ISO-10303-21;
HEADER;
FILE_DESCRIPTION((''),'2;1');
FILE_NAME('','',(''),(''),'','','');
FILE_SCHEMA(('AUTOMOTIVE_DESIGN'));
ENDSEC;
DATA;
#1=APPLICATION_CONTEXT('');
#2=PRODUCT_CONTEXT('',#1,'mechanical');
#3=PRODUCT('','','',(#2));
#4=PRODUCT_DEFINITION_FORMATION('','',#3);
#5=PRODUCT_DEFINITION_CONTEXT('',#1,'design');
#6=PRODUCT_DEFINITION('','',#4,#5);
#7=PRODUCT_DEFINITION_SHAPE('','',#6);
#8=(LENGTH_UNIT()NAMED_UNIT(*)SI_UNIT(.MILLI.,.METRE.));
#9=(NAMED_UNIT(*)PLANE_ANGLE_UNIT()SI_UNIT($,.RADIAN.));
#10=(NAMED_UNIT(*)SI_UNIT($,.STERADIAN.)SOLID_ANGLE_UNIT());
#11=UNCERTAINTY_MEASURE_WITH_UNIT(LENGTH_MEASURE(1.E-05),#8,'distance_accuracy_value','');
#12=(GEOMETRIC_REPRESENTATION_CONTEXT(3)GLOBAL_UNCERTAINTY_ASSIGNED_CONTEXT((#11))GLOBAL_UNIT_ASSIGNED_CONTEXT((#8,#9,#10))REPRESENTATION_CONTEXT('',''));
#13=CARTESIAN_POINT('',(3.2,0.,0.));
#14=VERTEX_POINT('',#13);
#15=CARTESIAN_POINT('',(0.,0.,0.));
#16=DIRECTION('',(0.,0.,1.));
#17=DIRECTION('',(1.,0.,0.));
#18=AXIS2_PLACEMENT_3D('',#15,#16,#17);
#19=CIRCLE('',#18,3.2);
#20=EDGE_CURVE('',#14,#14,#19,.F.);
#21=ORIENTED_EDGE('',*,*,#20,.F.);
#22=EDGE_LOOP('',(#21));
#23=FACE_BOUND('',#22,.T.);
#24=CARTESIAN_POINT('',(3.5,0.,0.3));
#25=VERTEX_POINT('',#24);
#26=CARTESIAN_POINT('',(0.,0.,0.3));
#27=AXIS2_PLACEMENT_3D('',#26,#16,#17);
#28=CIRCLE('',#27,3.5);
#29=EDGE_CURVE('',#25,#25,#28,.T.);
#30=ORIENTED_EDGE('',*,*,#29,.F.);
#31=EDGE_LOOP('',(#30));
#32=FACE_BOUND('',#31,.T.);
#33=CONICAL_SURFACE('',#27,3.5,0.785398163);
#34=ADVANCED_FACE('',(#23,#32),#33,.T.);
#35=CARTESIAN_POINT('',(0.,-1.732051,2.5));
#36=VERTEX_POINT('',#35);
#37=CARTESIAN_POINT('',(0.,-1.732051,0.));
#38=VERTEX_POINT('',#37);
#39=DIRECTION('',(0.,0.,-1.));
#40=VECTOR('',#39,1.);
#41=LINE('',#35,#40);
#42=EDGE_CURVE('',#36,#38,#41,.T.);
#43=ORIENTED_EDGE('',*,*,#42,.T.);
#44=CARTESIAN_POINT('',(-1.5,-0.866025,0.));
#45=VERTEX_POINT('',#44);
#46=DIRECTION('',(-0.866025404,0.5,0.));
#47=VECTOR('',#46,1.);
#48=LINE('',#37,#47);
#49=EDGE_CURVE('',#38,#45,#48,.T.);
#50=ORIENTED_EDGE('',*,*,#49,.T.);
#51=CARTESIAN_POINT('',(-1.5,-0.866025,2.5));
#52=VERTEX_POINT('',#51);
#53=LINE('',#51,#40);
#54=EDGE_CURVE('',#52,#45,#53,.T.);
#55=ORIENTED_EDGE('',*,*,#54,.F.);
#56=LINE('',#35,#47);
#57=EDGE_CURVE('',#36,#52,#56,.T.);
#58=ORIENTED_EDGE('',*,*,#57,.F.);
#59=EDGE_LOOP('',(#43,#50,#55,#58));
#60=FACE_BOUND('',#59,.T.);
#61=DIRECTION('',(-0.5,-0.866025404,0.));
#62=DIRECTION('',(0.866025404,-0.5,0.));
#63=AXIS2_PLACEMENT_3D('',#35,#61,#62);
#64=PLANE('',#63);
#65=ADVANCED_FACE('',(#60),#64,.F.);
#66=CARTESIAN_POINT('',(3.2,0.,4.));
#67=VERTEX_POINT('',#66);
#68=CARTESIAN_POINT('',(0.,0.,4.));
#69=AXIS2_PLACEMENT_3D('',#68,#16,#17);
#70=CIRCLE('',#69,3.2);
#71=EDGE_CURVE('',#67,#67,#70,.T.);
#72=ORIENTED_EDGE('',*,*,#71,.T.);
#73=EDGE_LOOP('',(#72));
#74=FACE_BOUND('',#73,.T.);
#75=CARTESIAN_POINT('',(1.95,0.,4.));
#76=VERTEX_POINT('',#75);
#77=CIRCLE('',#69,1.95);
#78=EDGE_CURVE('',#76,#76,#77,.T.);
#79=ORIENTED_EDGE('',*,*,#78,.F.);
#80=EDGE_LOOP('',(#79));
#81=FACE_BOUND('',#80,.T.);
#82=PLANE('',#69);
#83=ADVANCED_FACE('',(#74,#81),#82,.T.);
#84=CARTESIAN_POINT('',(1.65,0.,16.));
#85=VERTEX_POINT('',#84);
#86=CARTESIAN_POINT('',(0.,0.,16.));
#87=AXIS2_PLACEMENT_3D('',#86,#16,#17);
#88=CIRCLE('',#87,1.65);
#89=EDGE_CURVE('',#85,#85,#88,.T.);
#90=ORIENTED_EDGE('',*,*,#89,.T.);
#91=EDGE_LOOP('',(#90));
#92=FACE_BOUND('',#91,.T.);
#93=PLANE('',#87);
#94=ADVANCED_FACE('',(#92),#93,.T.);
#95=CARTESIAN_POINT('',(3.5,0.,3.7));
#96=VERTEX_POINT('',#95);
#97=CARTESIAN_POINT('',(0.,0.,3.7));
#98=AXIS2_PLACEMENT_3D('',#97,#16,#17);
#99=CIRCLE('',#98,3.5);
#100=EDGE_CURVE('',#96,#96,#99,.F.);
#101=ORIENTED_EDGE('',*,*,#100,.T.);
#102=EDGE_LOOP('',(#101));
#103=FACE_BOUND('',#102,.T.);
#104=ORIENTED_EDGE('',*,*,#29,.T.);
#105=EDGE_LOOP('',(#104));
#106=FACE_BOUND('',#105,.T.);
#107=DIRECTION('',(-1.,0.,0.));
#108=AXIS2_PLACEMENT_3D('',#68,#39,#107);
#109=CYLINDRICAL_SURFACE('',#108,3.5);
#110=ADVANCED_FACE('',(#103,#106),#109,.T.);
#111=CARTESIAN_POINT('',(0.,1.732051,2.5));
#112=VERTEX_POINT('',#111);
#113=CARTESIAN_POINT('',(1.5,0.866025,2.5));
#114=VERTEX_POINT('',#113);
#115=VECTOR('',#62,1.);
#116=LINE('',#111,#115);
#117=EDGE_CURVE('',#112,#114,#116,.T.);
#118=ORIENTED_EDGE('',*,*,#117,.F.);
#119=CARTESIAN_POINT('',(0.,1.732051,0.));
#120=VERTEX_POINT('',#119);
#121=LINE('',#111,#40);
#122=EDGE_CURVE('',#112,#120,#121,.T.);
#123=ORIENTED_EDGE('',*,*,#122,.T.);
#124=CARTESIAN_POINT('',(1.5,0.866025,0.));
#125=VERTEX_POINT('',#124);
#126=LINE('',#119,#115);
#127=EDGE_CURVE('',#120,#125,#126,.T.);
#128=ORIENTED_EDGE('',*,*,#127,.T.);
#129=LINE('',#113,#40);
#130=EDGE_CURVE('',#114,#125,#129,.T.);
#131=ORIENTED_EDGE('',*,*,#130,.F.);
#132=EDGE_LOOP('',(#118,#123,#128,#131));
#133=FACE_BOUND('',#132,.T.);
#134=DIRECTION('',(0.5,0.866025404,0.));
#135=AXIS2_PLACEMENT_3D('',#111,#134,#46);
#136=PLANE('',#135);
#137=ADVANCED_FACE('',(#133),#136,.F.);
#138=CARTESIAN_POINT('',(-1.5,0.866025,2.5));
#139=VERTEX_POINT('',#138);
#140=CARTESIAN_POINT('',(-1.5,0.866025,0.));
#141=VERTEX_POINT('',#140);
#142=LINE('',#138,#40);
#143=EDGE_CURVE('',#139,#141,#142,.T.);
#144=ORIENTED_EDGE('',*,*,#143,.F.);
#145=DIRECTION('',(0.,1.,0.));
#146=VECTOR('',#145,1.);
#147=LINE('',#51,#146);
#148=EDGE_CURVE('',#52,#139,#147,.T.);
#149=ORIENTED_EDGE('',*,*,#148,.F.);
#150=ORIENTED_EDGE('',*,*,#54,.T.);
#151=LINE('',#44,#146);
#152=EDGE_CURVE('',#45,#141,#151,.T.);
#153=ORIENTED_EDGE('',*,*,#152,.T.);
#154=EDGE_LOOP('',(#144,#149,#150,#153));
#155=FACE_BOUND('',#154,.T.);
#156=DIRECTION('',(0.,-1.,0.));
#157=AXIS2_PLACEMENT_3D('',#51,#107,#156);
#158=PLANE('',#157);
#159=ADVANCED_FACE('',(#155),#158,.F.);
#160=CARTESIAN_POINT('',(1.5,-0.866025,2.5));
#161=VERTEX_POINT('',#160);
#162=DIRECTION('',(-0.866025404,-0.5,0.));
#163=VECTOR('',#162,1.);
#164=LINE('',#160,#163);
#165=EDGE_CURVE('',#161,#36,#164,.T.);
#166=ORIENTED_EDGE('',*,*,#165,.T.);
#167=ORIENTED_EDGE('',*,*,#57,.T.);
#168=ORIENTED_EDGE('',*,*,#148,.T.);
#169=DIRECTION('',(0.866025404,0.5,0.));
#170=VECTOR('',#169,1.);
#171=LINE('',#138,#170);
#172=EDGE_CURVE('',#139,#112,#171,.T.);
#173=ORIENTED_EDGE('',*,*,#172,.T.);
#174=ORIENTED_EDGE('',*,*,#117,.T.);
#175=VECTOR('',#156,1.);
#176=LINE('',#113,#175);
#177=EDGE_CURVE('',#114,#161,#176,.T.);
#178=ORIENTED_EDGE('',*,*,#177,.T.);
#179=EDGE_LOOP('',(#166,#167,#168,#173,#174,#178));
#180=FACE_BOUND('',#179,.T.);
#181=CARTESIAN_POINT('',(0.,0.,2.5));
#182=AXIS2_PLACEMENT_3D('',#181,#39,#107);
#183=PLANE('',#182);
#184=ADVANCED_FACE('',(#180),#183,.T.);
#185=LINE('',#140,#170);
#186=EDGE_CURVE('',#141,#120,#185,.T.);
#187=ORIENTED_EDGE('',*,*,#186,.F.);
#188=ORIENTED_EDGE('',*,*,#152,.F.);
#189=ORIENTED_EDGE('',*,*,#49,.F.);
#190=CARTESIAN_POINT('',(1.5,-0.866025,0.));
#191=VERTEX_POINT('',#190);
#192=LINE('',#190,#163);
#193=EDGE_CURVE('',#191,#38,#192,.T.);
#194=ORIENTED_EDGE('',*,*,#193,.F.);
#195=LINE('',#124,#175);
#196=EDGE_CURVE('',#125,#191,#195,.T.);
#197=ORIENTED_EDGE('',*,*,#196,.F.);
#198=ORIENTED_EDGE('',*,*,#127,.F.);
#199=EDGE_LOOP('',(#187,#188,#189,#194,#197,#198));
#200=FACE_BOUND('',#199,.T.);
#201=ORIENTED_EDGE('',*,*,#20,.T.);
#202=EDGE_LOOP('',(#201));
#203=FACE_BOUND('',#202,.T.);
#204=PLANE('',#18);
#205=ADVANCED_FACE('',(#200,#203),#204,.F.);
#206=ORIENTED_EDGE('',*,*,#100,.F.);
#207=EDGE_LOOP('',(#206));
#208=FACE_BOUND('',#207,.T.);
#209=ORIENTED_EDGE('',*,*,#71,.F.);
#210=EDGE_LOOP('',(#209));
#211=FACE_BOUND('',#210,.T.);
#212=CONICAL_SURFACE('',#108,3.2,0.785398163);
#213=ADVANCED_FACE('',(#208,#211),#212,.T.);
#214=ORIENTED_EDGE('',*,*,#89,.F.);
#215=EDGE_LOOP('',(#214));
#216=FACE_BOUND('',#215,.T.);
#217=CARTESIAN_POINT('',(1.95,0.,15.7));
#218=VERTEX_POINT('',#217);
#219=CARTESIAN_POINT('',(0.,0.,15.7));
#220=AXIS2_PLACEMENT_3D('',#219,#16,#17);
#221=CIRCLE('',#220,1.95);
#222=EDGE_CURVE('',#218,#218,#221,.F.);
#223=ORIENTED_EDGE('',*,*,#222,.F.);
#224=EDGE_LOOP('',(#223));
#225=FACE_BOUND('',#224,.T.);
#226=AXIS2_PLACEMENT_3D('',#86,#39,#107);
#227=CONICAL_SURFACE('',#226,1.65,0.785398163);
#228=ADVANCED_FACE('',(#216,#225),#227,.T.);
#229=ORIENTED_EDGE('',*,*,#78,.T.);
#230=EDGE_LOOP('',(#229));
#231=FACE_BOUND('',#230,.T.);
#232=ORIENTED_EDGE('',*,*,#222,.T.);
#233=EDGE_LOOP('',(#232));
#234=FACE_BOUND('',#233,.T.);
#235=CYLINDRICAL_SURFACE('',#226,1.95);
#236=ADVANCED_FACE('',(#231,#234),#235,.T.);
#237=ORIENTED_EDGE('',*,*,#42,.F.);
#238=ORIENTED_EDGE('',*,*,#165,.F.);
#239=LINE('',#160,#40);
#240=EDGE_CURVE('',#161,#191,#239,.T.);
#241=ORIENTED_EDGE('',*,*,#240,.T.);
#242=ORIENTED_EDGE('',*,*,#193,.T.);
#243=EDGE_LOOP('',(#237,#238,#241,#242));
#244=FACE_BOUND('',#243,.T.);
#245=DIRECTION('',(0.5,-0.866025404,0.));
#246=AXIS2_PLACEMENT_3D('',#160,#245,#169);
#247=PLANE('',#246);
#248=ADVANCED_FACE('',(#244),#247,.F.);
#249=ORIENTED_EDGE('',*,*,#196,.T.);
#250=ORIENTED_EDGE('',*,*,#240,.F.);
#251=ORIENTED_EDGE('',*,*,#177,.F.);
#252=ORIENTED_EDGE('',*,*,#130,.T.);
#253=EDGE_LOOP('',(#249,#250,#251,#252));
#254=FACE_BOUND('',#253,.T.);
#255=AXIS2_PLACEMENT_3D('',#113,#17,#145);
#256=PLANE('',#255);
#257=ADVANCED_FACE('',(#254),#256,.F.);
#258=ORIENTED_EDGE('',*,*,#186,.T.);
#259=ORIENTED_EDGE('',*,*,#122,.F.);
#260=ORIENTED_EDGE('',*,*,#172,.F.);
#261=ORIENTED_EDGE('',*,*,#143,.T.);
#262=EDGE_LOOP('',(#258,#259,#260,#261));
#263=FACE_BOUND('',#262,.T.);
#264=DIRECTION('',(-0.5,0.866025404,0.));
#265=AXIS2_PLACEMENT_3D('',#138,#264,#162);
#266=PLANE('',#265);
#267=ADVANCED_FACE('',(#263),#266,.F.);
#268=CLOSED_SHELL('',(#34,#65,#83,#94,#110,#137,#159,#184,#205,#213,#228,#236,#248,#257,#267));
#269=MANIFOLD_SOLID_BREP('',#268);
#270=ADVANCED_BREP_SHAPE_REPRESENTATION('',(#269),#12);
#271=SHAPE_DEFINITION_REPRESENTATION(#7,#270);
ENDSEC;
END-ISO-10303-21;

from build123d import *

# Parameters (mm, degrees)
SKIZZE1_R                       = 3.5
AUFSATZ_LINEAR_AUSTRAGEN1_DEPTH = 4
SKIZZE2_R                       = 1.95
AUFSATZ_LINEAR_AUSTRAGEN2_DEPTH = 12
FASE1_SIZE                      = 0.3
SCHNITT_LINEAR_AUSTRAGEN1_DEPTH = 2.5


with BuildPart() as part:
    # Skizze1 → Aufsatz-Linear austragen1 (new body)
    with BuildSketch(Plane.XY):
        Circle(SKIZZE1_R)
    extrude(amount=AUFSATZ_LINEAR_AUSTRAGEN1_DEPTH)

    # Skizze2 → Aufsatz-Linear austragen2 (add)
    with BuildSketch(Plane.XY.offset(4)):
        Circle(SKIZZE2_R)
    extrude(amount=AUFSATZ_LINEAR_AUSTRAGEN2_DEPTH)

    # Fase1
    fase1_edges = [part.edges().sort_by_distance(p)[0] for p in [
        (-3.5, 0, 0),
        (-3.5, 0, 4),
        (-1.95, 0, 16),
    ]]
    chamfer(fase1_edges, length=FASE1_SIZE)

    # Skizze3 → Schnitt-Linear austragen1 (cut)
    with BuildSketch(Plane(origin=(0, 0, 0), x_dir=(-1, 0, 0), z_dir=(0, 0, -1))):
        Polygon((1.5, 0.866025404), (0, 1.732050808), (-1.5, 0.866025404), (-1.5, -0.866025404), (0, -1.732050808), (1.5, -0.866025404), align=None)
    extrude(amount=-SCHNITT_LINEAR_AUSTRAGEN1_DEPTH, mode=Mode.SUBTRACT)


solid = part.part
